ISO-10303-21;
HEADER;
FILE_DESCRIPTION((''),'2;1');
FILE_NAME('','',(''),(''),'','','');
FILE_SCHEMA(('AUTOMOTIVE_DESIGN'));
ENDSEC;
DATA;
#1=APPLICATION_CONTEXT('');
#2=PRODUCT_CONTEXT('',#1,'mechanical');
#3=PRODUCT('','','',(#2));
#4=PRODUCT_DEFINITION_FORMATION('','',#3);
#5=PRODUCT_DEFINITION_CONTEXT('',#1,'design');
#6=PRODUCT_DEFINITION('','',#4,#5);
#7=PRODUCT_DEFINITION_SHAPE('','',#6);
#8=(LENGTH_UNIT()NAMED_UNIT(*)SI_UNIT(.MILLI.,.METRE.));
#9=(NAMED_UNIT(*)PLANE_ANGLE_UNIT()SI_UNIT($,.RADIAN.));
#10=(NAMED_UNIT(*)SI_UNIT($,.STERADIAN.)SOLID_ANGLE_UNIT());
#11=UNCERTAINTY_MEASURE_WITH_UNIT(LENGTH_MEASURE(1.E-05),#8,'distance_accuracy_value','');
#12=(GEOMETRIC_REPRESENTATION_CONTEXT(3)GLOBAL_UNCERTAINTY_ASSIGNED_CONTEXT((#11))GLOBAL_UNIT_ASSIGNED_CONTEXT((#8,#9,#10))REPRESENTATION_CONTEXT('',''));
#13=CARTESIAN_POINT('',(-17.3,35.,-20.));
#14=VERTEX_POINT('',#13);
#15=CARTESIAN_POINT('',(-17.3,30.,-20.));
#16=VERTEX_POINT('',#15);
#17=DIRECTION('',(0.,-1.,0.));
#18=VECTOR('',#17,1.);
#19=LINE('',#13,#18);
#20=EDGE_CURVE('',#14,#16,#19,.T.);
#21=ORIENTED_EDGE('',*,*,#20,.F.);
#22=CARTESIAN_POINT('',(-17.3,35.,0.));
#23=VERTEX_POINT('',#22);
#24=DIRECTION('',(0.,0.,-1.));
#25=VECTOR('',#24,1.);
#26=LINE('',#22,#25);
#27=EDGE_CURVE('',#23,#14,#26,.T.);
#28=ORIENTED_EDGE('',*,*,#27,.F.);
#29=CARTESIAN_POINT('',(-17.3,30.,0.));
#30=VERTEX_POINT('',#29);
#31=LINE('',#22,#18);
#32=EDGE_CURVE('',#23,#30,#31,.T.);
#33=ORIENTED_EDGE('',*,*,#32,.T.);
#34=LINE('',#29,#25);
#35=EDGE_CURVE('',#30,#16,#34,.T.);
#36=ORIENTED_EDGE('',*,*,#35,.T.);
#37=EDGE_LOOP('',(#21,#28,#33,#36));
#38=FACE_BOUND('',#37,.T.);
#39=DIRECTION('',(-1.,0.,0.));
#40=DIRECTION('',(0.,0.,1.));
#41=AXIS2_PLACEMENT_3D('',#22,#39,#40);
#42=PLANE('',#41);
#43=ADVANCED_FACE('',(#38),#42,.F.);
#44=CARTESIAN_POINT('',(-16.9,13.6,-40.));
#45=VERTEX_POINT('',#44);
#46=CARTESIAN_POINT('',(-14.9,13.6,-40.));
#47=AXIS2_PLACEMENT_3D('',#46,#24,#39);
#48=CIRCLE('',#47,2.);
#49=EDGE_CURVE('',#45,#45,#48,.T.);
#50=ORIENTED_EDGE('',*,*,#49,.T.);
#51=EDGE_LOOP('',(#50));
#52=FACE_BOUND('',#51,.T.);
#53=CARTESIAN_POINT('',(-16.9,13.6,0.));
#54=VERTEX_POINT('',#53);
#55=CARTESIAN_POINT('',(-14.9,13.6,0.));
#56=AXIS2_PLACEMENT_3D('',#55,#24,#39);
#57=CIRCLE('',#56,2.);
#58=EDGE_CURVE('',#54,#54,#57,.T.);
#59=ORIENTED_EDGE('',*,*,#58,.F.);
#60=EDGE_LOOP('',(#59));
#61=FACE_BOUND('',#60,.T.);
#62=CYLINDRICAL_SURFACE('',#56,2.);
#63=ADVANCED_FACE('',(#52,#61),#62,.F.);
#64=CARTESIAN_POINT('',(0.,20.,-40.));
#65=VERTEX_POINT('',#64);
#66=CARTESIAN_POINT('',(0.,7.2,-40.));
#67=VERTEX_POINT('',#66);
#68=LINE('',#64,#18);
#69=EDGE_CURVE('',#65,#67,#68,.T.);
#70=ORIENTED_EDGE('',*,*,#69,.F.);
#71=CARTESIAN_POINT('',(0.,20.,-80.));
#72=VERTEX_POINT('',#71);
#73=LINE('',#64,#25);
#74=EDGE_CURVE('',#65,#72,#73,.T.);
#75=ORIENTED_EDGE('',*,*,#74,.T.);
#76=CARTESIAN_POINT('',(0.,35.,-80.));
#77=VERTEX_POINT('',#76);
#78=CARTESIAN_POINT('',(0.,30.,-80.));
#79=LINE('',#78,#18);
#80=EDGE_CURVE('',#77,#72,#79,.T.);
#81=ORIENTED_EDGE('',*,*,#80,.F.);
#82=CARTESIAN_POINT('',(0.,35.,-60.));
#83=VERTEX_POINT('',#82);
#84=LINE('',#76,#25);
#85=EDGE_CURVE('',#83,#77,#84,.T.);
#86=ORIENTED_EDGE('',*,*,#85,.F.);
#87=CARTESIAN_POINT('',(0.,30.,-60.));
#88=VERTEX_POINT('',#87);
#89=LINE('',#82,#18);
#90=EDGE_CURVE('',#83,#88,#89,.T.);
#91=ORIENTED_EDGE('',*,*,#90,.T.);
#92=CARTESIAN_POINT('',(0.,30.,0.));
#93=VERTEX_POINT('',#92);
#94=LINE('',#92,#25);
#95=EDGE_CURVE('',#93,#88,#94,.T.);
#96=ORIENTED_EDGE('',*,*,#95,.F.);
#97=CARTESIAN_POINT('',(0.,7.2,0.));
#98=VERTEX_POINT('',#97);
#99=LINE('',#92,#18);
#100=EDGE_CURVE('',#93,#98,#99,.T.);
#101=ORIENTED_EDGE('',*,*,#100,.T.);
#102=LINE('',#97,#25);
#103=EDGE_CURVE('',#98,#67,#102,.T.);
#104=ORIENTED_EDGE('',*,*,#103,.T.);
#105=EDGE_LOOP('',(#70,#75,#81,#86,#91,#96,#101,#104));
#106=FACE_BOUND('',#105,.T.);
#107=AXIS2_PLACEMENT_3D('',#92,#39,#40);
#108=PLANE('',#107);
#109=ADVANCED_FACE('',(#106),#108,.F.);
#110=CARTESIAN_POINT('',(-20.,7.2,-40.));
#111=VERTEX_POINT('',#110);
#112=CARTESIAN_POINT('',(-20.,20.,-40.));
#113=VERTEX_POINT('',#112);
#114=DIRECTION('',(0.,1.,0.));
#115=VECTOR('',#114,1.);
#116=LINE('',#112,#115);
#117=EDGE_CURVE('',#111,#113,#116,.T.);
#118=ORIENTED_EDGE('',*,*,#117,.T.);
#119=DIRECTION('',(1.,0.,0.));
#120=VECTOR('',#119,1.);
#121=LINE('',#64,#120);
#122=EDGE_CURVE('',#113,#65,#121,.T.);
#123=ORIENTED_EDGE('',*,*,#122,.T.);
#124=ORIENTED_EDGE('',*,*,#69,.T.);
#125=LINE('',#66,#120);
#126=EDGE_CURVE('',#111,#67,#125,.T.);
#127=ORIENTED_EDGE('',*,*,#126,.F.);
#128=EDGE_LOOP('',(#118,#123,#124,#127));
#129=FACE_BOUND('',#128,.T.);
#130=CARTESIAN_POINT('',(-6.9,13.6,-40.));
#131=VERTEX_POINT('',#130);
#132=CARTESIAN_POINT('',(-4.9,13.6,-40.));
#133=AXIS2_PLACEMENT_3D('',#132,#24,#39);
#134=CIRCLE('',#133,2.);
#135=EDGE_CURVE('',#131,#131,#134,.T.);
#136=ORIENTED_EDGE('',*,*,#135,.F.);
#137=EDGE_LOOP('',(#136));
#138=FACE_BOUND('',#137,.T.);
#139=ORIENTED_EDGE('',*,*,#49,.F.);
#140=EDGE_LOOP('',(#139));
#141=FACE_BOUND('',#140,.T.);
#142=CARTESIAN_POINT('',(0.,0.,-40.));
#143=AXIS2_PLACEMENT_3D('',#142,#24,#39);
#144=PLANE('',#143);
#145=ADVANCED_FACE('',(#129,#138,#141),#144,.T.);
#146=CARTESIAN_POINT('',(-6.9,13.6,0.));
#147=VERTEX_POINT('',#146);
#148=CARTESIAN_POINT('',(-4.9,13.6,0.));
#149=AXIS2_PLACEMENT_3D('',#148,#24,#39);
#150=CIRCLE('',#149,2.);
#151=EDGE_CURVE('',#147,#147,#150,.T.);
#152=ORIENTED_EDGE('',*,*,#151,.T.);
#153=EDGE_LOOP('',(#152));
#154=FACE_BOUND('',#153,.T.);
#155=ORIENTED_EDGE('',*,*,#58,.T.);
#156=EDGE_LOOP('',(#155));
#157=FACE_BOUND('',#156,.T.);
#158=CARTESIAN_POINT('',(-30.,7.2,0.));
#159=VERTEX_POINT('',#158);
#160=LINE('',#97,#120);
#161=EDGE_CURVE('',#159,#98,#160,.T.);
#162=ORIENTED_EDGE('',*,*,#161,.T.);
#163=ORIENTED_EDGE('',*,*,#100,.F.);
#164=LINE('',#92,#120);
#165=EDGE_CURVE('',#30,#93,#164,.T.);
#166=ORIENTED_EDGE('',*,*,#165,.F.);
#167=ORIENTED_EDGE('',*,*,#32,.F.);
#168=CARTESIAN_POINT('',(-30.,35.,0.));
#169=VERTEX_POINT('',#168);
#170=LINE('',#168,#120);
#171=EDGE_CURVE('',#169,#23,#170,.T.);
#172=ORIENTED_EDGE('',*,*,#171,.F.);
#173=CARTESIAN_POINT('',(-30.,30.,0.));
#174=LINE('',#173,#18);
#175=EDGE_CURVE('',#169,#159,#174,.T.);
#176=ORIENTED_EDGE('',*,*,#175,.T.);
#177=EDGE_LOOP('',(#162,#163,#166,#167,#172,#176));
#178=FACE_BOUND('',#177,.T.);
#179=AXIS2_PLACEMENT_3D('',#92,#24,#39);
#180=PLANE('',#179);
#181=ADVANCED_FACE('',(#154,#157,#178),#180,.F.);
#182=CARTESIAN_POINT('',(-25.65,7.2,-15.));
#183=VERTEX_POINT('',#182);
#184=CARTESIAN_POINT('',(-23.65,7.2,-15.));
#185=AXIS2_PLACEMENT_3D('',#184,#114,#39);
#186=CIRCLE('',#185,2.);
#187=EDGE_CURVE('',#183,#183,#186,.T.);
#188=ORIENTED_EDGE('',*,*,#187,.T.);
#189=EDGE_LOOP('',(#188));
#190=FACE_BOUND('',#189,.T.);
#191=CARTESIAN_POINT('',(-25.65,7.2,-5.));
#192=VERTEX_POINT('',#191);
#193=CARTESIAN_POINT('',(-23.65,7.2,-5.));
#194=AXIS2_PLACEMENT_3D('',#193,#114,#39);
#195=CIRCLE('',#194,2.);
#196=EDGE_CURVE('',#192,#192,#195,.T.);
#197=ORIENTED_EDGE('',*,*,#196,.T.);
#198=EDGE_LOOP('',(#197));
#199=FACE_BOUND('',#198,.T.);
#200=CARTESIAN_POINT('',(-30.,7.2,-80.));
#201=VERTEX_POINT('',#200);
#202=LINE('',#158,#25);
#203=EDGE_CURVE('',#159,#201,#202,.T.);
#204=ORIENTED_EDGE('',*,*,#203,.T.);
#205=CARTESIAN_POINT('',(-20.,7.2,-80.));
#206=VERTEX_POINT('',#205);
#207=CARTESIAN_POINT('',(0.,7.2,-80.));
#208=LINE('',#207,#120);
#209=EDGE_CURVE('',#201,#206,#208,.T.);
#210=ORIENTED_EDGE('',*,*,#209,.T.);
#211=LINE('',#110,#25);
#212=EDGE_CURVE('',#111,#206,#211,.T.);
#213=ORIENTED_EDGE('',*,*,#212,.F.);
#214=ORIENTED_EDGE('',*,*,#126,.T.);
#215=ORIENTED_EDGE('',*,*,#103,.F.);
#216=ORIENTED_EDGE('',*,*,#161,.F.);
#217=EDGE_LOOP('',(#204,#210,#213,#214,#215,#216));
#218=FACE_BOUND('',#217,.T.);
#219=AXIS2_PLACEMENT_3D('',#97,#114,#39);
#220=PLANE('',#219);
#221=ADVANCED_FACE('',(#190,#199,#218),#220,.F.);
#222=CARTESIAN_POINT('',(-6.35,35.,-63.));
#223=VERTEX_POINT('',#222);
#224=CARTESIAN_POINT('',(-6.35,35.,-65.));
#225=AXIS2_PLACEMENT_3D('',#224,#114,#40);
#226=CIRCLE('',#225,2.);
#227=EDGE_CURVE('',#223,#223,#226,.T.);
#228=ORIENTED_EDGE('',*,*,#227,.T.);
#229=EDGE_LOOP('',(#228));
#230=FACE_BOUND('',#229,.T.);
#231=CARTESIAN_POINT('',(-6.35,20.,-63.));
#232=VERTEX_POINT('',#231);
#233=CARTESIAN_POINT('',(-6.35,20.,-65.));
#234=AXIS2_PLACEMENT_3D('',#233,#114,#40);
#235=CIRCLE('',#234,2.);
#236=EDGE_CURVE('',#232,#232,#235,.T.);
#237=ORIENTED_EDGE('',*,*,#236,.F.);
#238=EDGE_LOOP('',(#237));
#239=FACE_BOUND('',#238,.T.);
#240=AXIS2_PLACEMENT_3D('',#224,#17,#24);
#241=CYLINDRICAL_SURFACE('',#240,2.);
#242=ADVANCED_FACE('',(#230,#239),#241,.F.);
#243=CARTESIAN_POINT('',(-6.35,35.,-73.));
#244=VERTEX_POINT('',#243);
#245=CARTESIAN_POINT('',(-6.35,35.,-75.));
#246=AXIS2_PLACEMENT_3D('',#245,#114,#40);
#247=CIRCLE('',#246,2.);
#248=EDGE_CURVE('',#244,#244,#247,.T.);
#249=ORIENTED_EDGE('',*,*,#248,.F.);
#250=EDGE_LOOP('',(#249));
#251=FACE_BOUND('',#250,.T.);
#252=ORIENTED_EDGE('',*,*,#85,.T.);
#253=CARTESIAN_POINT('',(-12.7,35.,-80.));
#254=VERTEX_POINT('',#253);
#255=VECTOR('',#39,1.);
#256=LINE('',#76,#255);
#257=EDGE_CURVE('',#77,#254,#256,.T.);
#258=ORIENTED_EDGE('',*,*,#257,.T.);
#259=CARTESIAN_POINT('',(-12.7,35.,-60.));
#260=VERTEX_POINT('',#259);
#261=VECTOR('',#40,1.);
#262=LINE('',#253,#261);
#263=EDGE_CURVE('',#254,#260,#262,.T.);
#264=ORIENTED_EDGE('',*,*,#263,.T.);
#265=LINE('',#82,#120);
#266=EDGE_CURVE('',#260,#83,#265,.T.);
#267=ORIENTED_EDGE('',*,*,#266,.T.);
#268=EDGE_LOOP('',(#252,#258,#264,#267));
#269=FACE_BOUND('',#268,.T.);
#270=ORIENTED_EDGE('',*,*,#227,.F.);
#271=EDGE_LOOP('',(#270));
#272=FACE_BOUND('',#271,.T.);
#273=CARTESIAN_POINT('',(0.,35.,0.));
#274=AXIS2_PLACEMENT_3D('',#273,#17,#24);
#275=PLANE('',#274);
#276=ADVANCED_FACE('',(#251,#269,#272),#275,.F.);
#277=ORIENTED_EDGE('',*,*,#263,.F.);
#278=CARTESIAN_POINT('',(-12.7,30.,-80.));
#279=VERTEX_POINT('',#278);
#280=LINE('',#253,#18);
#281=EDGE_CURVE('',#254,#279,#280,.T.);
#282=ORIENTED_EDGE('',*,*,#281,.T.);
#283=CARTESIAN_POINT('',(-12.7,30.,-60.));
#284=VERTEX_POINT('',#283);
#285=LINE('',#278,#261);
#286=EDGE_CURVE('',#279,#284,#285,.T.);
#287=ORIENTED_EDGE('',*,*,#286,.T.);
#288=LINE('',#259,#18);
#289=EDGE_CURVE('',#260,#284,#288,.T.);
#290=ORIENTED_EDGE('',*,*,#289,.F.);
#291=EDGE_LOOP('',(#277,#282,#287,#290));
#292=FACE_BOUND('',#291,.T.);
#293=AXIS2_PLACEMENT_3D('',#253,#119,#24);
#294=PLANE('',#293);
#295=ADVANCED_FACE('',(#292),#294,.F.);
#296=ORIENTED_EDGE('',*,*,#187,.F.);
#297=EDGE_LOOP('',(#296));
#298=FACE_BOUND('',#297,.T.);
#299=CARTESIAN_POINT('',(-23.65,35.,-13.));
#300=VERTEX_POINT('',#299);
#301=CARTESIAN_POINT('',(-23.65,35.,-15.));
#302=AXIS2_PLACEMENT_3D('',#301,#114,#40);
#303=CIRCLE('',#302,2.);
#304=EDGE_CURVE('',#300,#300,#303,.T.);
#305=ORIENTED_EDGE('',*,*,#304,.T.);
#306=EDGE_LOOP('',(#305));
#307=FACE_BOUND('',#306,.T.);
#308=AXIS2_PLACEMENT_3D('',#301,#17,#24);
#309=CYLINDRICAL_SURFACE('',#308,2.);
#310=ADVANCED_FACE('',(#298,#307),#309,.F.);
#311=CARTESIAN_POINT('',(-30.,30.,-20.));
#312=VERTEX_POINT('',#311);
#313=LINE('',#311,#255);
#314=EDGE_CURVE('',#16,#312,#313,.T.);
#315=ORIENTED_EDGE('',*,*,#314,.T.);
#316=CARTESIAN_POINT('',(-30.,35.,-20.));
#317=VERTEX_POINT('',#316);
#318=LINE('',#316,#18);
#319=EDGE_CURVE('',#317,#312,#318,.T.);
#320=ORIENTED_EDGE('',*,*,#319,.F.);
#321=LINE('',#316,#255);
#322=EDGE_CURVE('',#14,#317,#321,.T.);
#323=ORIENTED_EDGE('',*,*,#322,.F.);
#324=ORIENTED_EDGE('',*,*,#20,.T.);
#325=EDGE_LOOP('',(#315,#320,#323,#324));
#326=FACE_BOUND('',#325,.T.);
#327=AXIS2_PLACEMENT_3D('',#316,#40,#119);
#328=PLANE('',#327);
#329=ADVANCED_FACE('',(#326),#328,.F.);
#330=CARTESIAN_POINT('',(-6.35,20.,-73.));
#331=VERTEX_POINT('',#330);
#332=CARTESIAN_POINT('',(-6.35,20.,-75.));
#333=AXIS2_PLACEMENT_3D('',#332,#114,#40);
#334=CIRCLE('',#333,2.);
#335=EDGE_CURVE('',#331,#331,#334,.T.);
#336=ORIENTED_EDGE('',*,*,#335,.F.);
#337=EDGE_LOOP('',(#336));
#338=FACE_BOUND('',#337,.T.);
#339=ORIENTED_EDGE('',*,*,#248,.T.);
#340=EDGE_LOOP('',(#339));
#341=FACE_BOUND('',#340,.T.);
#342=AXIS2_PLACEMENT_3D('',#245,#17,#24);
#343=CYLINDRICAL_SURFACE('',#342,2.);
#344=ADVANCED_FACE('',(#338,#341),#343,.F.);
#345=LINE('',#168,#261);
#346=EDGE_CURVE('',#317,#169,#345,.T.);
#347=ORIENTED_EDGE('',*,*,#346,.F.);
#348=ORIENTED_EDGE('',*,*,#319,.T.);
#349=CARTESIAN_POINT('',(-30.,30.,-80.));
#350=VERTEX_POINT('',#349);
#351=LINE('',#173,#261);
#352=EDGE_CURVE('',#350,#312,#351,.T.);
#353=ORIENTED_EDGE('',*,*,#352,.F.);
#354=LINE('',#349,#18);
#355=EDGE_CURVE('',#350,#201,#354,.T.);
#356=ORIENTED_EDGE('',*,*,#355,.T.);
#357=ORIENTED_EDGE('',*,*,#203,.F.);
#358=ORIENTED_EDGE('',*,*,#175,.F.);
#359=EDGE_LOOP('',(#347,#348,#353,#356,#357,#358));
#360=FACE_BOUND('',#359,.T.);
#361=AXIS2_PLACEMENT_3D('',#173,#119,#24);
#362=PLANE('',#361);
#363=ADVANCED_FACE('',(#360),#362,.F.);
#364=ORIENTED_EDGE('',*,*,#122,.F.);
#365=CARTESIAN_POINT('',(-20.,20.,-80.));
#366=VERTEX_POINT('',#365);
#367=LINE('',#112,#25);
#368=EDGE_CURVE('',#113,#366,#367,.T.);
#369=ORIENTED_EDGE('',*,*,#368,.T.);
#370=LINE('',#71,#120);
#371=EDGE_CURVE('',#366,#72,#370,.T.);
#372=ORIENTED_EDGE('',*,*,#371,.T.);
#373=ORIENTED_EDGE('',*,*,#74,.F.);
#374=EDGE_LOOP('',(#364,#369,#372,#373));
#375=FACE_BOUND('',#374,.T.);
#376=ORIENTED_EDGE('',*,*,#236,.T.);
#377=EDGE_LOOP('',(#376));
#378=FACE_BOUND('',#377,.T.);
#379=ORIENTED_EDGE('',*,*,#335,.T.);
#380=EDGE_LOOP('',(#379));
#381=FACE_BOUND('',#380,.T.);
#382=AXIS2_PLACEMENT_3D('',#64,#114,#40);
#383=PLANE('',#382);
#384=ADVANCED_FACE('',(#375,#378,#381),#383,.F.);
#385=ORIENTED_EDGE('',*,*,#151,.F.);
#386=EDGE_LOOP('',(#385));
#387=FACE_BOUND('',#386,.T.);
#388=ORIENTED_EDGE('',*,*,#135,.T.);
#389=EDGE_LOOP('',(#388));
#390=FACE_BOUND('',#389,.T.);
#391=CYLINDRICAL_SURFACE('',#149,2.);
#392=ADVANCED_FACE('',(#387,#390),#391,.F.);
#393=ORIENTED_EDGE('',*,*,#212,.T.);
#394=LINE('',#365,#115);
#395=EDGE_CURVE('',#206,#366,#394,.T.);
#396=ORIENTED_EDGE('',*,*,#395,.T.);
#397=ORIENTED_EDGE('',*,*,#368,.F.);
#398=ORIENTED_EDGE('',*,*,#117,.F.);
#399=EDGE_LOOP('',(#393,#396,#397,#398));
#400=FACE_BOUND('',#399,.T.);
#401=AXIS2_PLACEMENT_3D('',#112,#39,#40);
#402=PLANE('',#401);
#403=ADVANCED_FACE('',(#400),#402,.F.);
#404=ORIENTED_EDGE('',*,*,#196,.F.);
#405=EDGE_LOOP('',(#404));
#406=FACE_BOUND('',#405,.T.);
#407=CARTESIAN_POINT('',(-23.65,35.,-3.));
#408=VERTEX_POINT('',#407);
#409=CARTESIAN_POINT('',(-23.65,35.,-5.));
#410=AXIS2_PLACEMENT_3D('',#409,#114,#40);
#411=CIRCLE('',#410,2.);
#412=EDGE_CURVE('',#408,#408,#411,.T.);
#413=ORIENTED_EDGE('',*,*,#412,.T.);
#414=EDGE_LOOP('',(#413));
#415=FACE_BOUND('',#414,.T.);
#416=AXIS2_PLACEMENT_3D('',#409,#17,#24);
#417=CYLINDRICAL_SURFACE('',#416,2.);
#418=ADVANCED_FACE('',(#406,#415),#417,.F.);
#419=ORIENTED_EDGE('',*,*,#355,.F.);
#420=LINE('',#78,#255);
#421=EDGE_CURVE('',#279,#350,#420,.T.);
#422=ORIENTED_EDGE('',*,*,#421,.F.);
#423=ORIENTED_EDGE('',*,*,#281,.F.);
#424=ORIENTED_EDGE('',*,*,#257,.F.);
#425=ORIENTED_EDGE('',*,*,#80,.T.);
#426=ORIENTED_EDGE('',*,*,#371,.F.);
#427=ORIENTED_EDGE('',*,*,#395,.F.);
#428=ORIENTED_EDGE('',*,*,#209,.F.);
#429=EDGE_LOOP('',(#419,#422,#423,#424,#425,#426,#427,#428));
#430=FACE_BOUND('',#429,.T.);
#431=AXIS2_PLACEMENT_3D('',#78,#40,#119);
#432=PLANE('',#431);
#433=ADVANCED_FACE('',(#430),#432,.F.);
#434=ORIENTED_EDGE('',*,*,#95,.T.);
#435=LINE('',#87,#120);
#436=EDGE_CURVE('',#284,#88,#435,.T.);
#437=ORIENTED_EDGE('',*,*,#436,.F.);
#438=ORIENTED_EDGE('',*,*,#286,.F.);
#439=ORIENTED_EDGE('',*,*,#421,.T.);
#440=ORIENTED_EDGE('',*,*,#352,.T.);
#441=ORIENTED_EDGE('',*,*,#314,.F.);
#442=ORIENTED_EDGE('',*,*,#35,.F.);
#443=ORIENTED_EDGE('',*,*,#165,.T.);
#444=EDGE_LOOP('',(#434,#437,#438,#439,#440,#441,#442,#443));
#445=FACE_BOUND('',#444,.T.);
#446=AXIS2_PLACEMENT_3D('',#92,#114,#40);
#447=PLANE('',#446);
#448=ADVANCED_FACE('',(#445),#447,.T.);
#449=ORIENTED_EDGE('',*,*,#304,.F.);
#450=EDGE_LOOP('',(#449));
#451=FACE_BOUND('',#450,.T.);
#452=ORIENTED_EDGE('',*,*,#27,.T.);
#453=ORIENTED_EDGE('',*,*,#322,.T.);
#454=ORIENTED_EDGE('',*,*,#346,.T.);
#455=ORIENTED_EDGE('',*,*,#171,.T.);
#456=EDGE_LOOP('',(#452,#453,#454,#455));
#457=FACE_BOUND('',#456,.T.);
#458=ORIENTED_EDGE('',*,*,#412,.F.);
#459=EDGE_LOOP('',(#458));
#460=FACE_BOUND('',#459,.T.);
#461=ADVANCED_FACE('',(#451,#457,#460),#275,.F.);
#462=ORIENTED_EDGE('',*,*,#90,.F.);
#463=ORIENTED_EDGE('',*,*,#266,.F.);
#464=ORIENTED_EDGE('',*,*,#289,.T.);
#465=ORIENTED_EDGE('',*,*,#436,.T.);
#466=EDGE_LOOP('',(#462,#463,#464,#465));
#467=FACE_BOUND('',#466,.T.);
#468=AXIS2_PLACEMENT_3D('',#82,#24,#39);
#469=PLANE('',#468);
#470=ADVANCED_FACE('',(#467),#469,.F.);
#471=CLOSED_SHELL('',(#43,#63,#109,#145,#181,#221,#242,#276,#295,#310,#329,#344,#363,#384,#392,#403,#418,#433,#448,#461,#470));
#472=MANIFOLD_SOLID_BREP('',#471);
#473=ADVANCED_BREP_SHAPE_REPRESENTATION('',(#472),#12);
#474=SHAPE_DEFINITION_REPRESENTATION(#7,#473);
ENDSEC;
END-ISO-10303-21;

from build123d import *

# Parameters (mm, degrees)
SKETCH1_W           = 30
SKETCH1_H           = 80
BOSS_EXTRUDE1_DEPTH = 30
SKETCH2_W           = 12.7
SKETCH2_H           = 20
SKETCH2_R           = 2
BOSS_EXTRUDE2_DEPTH = 5
SKETCH3_R           = 2
CUT_EXTRUDE1_DEPTH  = 93.330926563
SKETCH4_W           = 20
SKETCH4_H           = 20
CUT_EXTRUDE2_DEPTH  = 40
SKETCH5_R           = 2
SKETCH5_W           = 30
SKETCH5_H           = 7.2
CUT_EXTRUDE3_DEPTH  = 93.330926563


with BuildPart() as part:
    # Sketch1 → Boss-Extrude1 (new body)
    with BuildSketch(Plane(origin=(0, 0, 0), x_dir=(1, 0, 0), z_dir=(0, 1, 0))):
        with Locations((-15, 40)):
            Rectangle(SKETCH1_W, SKETCH1_H)
    extrude(amount=BOSS_EXTRUDE1_DEPTH)

    # Sketch2 → Boss-Extrude2 (add)
    # profile 1 of 2: a face of its own
    with BuildSketch(Plane(origin=(0, 30, 0), x_dir=(1, 0, 0), z_dir=(0, 1, 0))):
        with Locations((-23.65, 10)):
            Rectangle(SKETCH2_W, SKETCH2_H)
        with Locations(Location((-23.65, 5, 0), (0, 0, 270))):
            Circle(SKETCH2_R, mode=Mode.SUBTRACT)
        with Locations(Location((-23.65, 15, 0), (0, 0, 270))):
            Circle(SKETCH2_R, mode=Mode.SUBTRACT)
    # profile 2 of 2: a face of its own
    with BuildSketch(Plane(origin=(0, 30, 0), x_dir=(1, 0, 0), z_dir=(0, 1, 0))):
        with Locations((-6.35, 70)):
            Rectangle(SKETCH2_W, SKETCH2_H)
        with Locations(Location((-6.35, 65, 0), (0, 0, 270))):
            Circle(SKETCH2_R, mode=Mode.SUBTRACT)
        with Locations(Location((-6.35, 75, 0), (0, 0, 270))):
            Circle(SKETCH2_R, mode=Mode.SUBTRACT)
    extrude(amount=BOSS_EXTRUDE2_DEPTH)

    # Sketch3 → Cut-Extrude1 (cut, through all)
    with BuildSketch(Plane(origin=(0, 35, 0), x_dir=(1, 0, 0), z_dir=(0, 1, 0))):
        with Locations(Location((-23.65, 15, 0), (0, 0, 270))):
            Circle(SKETCH3_R)
        with Locations(Location((-23.65, 5, 0), (0, 0, 270))):
            Circle(SKETCH3_R)
        with Locations(Location((-6.35, 75, 0), (0, 0, 270))):
            Circle(SKETCH3_R)
        with Locations(Location((-6.35, 65, 0), (0, 0, 270))):
            Circle(SKETCH3_R)
    extrude(amount=-CUT_EXTRUDE1_DEPTH, mode=Mode.SUBTRACT)

    # Sketch4 → Cut-Extrude2 (cut)
    with BuildSketch(Plane(origin=(0, 0, -80), x_dir=(-1, 0, 0), z_dir=(0, 0, -1))):
        with Locations((10, 10)):
            Rectangle(SKETCH4_W, SKETCH4_H)
    extrude(amount=-CUT_EXTRUDE2_DEPTH, mode=Mode.SUBTRACT)

    # Sketch5 → Cut-Extrude3 (cut, through all)
    with BuildSketch(Plane(origin=(0, 0, -80), x_dir=(-1, 0, 0), z_dir=(0, 0, -1))):
        with Locations((4.9, 13.6)):
            Circle(SKETCH5_R)
        with Locations((14.9, 13.6)):
            Circle(SKETCH5_R)
        with Locations((15, 3.6)):
            Rectangle(SKETCH5_W, SKETCH5_H)
    extrude(amount=-CUT_EXTRUDE3_DEPTH, mode=Mode.SUBTRACT)


solid = part.part
